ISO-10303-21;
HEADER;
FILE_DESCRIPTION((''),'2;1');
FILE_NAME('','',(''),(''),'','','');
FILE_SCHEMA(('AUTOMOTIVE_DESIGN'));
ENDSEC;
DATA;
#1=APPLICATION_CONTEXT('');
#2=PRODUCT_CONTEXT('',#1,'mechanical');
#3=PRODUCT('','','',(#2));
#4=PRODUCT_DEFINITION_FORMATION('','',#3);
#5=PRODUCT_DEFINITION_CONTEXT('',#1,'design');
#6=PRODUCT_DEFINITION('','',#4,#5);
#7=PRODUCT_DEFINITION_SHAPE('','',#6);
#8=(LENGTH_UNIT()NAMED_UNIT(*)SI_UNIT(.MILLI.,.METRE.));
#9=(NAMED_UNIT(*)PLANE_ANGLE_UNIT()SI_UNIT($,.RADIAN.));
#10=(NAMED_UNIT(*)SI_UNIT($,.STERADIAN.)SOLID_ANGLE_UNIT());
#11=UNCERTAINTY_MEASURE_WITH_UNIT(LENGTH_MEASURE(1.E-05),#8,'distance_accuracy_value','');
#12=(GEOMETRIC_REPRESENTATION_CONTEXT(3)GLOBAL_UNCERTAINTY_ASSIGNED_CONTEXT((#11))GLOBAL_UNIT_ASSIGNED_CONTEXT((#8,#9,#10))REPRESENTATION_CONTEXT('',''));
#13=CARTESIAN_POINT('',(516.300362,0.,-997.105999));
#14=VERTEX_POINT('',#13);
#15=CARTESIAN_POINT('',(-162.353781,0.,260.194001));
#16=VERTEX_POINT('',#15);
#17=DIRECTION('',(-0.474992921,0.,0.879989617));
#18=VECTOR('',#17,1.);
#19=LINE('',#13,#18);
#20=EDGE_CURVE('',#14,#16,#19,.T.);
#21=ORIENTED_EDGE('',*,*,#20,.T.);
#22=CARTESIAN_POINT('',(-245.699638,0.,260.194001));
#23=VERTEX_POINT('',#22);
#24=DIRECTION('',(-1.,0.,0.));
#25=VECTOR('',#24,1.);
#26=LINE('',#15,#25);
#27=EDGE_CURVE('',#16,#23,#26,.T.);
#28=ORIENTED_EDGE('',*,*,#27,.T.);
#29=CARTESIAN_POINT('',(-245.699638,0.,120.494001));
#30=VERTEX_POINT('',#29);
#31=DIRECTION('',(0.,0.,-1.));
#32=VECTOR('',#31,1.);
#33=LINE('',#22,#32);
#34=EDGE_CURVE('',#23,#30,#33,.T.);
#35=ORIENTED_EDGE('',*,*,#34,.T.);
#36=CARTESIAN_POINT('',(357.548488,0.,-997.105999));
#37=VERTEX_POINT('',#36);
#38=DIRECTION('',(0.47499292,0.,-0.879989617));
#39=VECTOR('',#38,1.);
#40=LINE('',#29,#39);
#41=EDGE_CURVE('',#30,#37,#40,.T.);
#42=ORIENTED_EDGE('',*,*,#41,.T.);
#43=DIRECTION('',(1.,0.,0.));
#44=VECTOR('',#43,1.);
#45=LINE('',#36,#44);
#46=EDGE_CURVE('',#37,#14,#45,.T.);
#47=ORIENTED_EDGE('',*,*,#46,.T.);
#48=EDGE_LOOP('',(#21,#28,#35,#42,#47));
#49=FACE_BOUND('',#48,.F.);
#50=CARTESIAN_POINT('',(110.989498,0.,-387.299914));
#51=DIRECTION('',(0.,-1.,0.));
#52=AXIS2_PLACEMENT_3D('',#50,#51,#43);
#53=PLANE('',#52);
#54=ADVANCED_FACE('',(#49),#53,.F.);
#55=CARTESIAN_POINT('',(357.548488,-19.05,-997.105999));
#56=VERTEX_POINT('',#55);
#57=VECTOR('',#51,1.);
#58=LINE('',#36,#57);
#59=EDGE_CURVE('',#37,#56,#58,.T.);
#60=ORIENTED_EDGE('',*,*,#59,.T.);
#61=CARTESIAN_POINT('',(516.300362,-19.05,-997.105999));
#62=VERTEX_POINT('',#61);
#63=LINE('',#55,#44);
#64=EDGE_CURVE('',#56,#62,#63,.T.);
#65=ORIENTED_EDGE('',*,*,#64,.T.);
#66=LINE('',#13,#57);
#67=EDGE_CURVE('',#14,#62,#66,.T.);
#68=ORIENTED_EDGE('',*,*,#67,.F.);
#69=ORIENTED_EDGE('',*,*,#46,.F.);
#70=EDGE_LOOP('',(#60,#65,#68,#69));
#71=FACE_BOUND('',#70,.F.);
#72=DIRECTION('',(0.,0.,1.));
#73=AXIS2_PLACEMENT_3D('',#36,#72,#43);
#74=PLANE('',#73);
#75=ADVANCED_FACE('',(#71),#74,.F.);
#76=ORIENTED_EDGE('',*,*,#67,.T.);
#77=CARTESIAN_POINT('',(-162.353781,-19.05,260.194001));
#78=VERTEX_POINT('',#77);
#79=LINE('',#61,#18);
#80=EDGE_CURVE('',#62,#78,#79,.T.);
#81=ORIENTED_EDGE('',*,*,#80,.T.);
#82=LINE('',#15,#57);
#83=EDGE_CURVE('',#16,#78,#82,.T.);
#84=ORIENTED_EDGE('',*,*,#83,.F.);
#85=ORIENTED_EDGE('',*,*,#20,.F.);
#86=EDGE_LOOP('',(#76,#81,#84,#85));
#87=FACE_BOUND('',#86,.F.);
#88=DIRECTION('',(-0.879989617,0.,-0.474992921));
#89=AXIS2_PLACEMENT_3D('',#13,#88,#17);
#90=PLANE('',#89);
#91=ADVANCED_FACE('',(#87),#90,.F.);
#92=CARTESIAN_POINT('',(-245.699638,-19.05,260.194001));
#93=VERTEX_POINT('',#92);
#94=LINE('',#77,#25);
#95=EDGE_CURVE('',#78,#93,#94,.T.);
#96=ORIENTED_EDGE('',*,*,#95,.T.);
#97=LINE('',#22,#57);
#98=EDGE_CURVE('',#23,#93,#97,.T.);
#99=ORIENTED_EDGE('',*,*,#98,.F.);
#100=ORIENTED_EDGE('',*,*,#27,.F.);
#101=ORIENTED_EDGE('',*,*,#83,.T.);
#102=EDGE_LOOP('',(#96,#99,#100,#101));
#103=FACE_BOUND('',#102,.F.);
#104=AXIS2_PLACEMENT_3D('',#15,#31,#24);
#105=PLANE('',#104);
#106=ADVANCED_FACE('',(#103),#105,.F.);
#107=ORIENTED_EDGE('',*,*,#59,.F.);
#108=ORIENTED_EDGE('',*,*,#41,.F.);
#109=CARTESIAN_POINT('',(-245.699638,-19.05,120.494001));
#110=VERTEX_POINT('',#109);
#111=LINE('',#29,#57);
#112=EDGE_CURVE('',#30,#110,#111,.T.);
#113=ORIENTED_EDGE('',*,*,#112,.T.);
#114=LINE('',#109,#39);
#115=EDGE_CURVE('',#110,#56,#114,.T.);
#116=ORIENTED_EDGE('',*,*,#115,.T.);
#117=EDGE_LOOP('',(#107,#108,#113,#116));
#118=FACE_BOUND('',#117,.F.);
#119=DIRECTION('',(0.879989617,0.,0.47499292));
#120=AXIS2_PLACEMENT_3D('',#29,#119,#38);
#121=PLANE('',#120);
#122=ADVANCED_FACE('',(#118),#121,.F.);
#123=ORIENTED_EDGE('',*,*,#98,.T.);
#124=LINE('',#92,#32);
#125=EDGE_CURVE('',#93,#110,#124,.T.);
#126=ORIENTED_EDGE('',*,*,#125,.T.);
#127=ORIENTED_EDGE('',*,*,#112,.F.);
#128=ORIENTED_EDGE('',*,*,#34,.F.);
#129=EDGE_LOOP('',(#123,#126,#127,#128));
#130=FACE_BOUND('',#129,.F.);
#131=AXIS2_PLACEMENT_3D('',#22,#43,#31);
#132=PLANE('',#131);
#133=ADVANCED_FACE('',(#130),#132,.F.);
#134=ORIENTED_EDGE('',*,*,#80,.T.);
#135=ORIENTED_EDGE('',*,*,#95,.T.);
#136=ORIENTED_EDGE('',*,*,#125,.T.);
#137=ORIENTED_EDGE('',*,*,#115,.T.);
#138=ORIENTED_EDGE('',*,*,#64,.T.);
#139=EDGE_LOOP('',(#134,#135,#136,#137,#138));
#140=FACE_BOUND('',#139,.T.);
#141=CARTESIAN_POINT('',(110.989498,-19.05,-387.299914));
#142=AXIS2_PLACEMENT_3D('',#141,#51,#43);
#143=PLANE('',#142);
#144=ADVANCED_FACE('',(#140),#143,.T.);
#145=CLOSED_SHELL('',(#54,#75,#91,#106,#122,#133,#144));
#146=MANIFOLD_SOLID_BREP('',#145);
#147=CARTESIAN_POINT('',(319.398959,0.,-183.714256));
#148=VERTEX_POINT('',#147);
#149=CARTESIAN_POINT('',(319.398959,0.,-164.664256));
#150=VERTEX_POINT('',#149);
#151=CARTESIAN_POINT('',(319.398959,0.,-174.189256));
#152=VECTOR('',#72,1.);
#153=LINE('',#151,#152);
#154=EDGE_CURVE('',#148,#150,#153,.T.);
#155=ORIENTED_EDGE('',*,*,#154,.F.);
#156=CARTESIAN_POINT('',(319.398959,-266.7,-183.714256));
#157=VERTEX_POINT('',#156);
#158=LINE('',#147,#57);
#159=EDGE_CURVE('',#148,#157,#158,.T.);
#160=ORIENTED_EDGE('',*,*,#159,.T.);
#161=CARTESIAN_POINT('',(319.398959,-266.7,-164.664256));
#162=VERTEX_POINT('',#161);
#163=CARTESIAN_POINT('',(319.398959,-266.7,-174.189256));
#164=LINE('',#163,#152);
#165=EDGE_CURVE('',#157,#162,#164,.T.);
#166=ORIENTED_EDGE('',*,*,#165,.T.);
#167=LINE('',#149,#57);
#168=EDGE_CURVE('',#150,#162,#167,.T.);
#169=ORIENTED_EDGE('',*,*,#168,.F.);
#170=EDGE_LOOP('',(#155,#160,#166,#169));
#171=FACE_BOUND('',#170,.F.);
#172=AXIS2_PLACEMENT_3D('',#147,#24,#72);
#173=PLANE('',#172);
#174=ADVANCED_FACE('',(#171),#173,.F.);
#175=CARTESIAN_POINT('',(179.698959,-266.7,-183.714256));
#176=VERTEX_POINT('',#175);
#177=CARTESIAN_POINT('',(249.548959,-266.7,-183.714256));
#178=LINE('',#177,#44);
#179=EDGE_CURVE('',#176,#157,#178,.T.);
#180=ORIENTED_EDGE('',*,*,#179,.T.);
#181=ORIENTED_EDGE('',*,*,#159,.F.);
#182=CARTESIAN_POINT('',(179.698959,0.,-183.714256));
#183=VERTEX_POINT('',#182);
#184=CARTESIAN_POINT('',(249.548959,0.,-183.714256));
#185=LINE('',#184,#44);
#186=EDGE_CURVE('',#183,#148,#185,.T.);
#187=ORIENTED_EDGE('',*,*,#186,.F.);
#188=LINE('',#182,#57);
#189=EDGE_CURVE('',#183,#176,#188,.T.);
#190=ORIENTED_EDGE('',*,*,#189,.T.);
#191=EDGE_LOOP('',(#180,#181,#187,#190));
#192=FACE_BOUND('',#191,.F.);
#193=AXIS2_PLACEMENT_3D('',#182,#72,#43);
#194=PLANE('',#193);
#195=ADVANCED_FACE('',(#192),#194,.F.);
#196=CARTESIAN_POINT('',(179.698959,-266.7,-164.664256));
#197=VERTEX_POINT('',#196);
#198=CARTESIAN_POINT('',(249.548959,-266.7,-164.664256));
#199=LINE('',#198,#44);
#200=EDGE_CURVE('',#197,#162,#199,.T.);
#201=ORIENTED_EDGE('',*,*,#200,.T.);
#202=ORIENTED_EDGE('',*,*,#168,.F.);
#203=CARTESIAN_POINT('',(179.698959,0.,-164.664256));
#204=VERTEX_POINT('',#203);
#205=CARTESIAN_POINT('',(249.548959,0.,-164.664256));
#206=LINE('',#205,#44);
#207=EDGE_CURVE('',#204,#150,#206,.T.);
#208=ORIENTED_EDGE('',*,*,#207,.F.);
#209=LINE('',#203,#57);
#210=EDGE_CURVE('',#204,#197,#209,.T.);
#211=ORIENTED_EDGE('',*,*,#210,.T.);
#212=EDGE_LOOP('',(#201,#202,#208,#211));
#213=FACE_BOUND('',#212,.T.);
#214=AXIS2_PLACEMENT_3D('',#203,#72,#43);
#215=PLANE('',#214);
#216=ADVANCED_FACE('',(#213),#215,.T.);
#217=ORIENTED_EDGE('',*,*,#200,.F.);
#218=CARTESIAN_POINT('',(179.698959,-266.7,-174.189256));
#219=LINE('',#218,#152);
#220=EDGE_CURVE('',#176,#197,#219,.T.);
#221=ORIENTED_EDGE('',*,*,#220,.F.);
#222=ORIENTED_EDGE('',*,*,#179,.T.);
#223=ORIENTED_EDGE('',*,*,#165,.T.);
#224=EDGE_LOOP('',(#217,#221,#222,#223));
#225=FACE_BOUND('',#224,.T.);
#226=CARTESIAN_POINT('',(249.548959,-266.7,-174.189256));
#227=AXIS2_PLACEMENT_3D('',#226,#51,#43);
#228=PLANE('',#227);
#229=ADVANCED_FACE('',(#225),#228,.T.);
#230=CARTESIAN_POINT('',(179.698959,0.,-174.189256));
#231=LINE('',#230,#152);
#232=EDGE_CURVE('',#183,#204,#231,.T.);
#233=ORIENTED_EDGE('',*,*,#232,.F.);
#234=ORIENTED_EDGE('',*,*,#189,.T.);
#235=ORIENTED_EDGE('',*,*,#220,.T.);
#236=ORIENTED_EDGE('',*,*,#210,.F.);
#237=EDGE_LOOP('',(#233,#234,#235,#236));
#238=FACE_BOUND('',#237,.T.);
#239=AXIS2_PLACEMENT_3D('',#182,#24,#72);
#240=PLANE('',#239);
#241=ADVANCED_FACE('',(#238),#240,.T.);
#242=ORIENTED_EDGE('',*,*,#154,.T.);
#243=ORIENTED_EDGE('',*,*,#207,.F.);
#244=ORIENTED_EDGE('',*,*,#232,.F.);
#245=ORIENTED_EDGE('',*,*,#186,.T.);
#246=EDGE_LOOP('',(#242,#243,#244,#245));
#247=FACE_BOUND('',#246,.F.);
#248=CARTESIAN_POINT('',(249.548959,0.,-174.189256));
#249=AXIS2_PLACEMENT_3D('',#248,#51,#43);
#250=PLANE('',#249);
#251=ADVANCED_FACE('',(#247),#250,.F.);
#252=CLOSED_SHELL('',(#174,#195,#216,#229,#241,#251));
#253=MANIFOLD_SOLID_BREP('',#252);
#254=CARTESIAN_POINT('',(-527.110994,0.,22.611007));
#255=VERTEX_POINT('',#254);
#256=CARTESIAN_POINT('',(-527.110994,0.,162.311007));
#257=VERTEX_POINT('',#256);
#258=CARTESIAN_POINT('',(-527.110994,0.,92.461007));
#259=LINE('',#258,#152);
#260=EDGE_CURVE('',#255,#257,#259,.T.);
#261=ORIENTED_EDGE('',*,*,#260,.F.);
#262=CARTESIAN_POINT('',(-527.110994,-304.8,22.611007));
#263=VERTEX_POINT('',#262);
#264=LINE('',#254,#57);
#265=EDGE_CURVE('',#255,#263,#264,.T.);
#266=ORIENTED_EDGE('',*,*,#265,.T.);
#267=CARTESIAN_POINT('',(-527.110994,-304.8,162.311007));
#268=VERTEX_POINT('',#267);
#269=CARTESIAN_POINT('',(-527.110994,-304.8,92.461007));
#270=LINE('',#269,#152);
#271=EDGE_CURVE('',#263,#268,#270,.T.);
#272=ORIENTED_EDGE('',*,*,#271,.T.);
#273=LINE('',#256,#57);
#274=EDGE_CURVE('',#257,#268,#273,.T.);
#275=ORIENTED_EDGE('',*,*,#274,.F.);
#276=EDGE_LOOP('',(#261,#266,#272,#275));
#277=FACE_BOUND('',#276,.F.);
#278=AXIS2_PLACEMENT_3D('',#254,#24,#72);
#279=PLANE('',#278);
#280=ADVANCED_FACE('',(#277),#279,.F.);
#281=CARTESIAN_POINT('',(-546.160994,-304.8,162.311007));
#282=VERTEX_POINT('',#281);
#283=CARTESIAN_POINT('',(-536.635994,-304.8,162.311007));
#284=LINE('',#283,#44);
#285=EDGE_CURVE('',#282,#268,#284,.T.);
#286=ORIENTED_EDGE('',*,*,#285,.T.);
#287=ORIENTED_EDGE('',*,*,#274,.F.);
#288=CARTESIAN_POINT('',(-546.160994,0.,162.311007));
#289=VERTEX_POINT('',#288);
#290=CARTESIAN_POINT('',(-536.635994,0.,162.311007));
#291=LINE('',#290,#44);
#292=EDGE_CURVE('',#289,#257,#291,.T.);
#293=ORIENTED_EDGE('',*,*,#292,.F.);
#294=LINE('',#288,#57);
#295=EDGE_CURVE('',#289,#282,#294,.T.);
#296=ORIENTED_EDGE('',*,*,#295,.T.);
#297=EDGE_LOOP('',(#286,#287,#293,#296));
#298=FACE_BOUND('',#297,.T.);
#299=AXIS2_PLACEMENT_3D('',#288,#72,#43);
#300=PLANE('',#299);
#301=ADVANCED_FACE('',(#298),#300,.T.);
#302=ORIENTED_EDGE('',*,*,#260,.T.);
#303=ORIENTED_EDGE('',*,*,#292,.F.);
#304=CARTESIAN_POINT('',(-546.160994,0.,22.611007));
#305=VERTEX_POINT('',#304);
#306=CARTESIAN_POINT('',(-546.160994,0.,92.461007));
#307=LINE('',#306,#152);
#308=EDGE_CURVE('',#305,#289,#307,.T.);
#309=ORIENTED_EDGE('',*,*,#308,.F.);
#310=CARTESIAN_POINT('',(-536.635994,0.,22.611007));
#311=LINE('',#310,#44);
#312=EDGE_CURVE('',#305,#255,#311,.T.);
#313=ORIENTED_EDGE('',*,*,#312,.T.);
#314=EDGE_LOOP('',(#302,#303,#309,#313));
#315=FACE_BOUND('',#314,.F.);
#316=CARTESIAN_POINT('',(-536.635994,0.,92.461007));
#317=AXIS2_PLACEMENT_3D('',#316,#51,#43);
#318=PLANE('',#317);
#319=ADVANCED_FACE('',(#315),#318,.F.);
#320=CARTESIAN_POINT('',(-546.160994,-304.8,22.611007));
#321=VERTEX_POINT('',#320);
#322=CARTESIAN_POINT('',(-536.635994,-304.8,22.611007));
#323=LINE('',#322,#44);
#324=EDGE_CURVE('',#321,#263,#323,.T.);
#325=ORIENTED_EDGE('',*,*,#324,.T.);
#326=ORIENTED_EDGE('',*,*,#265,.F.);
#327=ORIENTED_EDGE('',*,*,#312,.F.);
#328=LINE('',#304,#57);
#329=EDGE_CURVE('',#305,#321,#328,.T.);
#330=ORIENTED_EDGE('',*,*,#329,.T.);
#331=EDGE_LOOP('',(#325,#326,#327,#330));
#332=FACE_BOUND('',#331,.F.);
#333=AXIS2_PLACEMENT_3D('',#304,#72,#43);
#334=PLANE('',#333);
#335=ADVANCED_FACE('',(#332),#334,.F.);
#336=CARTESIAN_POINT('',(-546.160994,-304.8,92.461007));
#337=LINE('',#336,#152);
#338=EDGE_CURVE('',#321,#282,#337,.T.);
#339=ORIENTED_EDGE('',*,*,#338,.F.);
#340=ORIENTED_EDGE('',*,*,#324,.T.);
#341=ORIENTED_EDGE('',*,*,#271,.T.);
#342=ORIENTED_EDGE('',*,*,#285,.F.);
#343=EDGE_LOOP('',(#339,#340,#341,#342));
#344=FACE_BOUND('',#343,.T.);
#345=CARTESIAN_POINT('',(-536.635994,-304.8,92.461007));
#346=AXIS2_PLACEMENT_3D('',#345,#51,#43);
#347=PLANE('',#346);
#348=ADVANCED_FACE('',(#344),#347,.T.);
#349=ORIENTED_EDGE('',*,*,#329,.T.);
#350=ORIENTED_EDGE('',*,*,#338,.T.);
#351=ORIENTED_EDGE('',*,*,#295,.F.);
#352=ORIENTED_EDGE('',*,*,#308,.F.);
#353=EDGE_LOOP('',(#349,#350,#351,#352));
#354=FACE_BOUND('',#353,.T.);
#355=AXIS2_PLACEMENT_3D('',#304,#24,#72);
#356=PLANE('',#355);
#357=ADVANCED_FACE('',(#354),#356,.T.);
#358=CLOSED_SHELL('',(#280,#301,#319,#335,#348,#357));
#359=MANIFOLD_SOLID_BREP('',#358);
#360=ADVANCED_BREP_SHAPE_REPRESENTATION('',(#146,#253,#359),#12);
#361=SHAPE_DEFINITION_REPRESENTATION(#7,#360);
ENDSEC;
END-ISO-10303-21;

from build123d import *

# Parameters (mm, degrees)
F1_DEPTH = 19.05
F0_W     = 139.7
F0_H     = 19.05
F2_DEPTH = 266.7
F0_W_2   = 19.05
F0_H_2   = 139.7
F3_DEPTH = 304.8


with BuildPart() as f1:
    # F0 (on Front) → F1 (new body)
    with BuildSketch(Plane.XZ):
        Polygon((-245.699638, 260.194001), (-245.699638, 120.494001), (357.548488, -997.105999), (516.300362, -997.105999), (-162.353781, 260.194001), align=None)
    extrude(amount=F1_DEPTH)


with BuildPart() as f2:
    # F0 (on Front) → F2 (new body)
    with BuildSketch(Plane.XZ):
        with Locations((249.548959, -174.189256)):
            Rectangle(F0_W, F0_H)
    extrude(amount=F2_DEPTH)


with BuildPart() as f3:
    # F0 (on Front) → F3 (new body)
    with BuildSketch(Plane.XZ):
        with Locations((-536.635994, 92.461007)):
            Rectangle(F0_W_2, F0_H_2)
    extrude(amount=F3_DEPTH)


solid = Compound([f1.part, f2.part, f3.part])
